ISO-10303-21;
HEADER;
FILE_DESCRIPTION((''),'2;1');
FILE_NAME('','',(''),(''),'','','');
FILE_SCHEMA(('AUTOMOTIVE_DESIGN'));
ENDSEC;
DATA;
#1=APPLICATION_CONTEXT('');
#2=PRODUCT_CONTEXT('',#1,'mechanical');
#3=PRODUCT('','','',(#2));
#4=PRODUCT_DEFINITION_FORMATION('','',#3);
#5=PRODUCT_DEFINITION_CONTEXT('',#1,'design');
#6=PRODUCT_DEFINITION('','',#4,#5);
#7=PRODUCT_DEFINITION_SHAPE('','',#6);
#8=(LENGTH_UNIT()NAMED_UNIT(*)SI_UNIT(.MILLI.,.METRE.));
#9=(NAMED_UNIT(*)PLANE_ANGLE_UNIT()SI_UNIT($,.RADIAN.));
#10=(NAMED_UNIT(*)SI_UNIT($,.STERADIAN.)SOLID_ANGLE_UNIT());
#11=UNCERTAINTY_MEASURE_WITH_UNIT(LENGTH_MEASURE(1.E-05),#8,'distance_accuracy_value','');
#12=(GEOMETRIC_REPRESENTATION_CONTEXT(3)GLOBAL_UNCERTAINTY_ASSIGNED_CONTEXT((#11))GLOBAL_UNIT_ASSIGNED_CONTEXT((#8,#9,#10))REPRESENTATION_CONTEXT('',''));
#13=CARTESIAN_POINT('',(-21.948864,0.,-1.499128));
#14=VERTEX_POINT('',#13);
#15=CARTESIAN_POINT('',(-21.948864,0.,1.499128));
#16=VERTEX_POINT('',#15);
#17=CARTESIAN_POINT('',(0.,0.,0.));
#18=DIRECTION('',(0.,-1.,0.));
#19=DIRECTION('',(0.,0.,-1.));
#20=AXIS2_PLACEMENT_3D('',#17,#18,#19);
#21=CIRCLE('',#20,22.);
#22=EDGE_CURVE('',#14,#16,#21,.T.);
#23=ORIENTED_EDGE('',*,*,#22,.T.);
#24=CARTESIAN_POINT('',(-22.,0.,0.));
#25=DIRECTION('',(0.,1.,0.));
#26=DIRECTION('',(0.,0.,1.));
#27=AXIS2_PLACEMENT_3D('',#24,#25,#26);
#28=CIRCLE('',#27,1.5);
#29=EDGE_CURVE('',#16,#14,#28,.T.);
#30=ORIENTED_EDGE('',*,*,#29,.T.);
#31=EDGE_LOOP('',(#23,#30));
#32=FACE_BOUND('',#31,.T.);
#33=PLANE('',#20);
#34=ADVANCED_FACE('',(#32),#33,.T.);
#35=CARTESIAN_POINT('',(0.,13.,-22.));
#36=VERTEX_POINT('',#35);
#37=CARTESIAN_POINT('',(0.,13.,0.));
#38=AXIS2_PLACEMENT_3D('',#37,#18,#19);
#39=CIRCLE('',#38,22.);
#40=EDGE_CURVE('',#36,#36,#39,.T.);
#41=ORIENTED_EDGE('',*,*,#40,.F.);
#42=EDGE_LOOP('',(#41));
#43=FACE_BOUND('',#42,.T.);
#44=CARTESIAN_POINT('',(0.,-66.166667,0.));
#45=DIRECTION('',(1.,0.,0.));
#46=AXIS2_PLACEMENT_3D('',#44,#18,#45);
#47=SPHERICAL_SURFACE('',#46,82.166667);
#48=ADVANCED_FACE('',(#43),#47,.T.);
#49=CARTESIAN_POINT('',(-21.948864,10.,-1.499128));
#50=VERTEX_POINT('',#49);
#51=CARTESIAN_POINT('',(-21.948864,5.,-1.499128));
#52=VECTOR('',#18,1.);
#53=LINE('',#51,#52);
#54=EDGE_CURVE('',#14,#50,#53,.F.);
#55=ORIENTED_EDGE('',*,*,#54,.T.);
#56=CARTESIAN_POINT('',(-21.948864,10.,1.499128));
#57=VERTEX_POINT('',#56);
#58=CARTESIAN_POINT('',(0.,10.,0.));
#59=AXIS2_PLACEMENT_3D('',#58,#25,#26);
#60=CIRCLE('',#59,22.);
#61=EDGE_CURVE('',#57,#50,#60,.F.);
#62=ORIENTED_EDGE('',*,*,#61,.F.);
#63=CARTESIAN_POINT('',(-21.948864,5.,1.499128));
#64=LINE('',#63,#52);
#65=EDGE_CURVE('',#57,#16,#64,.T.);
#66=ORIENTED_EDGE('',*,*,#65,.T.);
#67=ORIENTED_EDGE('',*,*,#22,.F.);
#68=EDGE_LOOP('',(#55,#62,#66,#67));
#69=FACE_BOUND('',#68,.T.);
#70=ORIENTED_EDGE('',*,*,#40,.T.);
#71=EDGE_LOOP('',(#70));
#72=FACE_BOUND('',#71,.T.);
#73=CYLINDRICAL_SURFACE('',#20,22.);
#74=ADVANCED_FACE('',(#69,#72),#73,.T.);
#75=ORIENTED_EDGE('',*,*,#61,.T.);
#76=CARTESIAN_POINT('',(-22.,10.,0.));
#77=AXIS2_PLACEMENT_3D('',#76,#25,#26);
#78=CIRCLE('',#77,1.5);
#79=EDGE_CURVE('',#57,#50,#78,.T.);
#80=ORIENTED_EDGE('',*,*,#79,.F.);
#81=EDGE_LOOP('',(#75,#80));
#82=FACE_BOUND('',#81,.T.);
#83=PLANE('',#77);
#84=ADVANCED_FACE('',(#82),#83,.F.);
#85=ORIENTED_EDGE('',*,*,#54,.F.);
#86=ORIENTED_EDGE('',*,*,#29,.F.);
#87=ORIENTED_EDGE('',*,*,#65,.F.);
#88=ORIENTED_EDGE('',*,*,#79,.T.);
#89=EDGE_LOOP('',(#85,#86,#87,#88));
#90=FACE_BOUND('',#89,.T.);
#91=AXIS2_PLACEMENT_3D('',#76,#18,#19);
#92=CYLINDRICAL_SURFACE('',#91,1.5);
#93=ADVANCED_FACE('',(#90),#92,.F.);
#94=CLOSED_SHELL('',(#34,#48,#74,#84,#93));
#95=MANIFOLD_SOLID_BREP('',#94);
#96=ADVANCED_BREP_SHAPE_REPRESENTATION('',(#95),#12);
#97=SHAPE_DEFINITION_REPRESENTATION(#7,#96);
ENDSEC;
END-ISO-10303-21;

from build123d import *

# Parameters (mm, degrees)
SKETCH3_R          = 1.5
CUT_EXTRUDE1_DEPTH = 10


with BuildPart() as part:
    # Sketch2 → Revolve1 (revolve)
    with BuildSketch(Plane.XY):
        with BuildLine():
            Line((0, 0), (22, 0))
            Line((22, 0), (22, 13))
            ThreePointArc((22, 13), (11.101801656, 15.246545474), (0, 16))
            Line((0, 16), (0, 0))
        make_face()
    revolve(axis=Axis((0, 0, 0), (0, 1, 0)))

    # Sketch3 → Cut-Extrude1 (cut)
    with BuildSketch(Plane(origin=(0, 0, 0), x_dir=(1, 0, 0), z_dir=(0, 1, 0))):
        with Locations((-22, 0)):
            Circle(SKETCH3_R)
    extrude(amount=CUT_EXTRUDE1_DEPTH, mode=Mode.SUBTRACT)


solid = part.part
